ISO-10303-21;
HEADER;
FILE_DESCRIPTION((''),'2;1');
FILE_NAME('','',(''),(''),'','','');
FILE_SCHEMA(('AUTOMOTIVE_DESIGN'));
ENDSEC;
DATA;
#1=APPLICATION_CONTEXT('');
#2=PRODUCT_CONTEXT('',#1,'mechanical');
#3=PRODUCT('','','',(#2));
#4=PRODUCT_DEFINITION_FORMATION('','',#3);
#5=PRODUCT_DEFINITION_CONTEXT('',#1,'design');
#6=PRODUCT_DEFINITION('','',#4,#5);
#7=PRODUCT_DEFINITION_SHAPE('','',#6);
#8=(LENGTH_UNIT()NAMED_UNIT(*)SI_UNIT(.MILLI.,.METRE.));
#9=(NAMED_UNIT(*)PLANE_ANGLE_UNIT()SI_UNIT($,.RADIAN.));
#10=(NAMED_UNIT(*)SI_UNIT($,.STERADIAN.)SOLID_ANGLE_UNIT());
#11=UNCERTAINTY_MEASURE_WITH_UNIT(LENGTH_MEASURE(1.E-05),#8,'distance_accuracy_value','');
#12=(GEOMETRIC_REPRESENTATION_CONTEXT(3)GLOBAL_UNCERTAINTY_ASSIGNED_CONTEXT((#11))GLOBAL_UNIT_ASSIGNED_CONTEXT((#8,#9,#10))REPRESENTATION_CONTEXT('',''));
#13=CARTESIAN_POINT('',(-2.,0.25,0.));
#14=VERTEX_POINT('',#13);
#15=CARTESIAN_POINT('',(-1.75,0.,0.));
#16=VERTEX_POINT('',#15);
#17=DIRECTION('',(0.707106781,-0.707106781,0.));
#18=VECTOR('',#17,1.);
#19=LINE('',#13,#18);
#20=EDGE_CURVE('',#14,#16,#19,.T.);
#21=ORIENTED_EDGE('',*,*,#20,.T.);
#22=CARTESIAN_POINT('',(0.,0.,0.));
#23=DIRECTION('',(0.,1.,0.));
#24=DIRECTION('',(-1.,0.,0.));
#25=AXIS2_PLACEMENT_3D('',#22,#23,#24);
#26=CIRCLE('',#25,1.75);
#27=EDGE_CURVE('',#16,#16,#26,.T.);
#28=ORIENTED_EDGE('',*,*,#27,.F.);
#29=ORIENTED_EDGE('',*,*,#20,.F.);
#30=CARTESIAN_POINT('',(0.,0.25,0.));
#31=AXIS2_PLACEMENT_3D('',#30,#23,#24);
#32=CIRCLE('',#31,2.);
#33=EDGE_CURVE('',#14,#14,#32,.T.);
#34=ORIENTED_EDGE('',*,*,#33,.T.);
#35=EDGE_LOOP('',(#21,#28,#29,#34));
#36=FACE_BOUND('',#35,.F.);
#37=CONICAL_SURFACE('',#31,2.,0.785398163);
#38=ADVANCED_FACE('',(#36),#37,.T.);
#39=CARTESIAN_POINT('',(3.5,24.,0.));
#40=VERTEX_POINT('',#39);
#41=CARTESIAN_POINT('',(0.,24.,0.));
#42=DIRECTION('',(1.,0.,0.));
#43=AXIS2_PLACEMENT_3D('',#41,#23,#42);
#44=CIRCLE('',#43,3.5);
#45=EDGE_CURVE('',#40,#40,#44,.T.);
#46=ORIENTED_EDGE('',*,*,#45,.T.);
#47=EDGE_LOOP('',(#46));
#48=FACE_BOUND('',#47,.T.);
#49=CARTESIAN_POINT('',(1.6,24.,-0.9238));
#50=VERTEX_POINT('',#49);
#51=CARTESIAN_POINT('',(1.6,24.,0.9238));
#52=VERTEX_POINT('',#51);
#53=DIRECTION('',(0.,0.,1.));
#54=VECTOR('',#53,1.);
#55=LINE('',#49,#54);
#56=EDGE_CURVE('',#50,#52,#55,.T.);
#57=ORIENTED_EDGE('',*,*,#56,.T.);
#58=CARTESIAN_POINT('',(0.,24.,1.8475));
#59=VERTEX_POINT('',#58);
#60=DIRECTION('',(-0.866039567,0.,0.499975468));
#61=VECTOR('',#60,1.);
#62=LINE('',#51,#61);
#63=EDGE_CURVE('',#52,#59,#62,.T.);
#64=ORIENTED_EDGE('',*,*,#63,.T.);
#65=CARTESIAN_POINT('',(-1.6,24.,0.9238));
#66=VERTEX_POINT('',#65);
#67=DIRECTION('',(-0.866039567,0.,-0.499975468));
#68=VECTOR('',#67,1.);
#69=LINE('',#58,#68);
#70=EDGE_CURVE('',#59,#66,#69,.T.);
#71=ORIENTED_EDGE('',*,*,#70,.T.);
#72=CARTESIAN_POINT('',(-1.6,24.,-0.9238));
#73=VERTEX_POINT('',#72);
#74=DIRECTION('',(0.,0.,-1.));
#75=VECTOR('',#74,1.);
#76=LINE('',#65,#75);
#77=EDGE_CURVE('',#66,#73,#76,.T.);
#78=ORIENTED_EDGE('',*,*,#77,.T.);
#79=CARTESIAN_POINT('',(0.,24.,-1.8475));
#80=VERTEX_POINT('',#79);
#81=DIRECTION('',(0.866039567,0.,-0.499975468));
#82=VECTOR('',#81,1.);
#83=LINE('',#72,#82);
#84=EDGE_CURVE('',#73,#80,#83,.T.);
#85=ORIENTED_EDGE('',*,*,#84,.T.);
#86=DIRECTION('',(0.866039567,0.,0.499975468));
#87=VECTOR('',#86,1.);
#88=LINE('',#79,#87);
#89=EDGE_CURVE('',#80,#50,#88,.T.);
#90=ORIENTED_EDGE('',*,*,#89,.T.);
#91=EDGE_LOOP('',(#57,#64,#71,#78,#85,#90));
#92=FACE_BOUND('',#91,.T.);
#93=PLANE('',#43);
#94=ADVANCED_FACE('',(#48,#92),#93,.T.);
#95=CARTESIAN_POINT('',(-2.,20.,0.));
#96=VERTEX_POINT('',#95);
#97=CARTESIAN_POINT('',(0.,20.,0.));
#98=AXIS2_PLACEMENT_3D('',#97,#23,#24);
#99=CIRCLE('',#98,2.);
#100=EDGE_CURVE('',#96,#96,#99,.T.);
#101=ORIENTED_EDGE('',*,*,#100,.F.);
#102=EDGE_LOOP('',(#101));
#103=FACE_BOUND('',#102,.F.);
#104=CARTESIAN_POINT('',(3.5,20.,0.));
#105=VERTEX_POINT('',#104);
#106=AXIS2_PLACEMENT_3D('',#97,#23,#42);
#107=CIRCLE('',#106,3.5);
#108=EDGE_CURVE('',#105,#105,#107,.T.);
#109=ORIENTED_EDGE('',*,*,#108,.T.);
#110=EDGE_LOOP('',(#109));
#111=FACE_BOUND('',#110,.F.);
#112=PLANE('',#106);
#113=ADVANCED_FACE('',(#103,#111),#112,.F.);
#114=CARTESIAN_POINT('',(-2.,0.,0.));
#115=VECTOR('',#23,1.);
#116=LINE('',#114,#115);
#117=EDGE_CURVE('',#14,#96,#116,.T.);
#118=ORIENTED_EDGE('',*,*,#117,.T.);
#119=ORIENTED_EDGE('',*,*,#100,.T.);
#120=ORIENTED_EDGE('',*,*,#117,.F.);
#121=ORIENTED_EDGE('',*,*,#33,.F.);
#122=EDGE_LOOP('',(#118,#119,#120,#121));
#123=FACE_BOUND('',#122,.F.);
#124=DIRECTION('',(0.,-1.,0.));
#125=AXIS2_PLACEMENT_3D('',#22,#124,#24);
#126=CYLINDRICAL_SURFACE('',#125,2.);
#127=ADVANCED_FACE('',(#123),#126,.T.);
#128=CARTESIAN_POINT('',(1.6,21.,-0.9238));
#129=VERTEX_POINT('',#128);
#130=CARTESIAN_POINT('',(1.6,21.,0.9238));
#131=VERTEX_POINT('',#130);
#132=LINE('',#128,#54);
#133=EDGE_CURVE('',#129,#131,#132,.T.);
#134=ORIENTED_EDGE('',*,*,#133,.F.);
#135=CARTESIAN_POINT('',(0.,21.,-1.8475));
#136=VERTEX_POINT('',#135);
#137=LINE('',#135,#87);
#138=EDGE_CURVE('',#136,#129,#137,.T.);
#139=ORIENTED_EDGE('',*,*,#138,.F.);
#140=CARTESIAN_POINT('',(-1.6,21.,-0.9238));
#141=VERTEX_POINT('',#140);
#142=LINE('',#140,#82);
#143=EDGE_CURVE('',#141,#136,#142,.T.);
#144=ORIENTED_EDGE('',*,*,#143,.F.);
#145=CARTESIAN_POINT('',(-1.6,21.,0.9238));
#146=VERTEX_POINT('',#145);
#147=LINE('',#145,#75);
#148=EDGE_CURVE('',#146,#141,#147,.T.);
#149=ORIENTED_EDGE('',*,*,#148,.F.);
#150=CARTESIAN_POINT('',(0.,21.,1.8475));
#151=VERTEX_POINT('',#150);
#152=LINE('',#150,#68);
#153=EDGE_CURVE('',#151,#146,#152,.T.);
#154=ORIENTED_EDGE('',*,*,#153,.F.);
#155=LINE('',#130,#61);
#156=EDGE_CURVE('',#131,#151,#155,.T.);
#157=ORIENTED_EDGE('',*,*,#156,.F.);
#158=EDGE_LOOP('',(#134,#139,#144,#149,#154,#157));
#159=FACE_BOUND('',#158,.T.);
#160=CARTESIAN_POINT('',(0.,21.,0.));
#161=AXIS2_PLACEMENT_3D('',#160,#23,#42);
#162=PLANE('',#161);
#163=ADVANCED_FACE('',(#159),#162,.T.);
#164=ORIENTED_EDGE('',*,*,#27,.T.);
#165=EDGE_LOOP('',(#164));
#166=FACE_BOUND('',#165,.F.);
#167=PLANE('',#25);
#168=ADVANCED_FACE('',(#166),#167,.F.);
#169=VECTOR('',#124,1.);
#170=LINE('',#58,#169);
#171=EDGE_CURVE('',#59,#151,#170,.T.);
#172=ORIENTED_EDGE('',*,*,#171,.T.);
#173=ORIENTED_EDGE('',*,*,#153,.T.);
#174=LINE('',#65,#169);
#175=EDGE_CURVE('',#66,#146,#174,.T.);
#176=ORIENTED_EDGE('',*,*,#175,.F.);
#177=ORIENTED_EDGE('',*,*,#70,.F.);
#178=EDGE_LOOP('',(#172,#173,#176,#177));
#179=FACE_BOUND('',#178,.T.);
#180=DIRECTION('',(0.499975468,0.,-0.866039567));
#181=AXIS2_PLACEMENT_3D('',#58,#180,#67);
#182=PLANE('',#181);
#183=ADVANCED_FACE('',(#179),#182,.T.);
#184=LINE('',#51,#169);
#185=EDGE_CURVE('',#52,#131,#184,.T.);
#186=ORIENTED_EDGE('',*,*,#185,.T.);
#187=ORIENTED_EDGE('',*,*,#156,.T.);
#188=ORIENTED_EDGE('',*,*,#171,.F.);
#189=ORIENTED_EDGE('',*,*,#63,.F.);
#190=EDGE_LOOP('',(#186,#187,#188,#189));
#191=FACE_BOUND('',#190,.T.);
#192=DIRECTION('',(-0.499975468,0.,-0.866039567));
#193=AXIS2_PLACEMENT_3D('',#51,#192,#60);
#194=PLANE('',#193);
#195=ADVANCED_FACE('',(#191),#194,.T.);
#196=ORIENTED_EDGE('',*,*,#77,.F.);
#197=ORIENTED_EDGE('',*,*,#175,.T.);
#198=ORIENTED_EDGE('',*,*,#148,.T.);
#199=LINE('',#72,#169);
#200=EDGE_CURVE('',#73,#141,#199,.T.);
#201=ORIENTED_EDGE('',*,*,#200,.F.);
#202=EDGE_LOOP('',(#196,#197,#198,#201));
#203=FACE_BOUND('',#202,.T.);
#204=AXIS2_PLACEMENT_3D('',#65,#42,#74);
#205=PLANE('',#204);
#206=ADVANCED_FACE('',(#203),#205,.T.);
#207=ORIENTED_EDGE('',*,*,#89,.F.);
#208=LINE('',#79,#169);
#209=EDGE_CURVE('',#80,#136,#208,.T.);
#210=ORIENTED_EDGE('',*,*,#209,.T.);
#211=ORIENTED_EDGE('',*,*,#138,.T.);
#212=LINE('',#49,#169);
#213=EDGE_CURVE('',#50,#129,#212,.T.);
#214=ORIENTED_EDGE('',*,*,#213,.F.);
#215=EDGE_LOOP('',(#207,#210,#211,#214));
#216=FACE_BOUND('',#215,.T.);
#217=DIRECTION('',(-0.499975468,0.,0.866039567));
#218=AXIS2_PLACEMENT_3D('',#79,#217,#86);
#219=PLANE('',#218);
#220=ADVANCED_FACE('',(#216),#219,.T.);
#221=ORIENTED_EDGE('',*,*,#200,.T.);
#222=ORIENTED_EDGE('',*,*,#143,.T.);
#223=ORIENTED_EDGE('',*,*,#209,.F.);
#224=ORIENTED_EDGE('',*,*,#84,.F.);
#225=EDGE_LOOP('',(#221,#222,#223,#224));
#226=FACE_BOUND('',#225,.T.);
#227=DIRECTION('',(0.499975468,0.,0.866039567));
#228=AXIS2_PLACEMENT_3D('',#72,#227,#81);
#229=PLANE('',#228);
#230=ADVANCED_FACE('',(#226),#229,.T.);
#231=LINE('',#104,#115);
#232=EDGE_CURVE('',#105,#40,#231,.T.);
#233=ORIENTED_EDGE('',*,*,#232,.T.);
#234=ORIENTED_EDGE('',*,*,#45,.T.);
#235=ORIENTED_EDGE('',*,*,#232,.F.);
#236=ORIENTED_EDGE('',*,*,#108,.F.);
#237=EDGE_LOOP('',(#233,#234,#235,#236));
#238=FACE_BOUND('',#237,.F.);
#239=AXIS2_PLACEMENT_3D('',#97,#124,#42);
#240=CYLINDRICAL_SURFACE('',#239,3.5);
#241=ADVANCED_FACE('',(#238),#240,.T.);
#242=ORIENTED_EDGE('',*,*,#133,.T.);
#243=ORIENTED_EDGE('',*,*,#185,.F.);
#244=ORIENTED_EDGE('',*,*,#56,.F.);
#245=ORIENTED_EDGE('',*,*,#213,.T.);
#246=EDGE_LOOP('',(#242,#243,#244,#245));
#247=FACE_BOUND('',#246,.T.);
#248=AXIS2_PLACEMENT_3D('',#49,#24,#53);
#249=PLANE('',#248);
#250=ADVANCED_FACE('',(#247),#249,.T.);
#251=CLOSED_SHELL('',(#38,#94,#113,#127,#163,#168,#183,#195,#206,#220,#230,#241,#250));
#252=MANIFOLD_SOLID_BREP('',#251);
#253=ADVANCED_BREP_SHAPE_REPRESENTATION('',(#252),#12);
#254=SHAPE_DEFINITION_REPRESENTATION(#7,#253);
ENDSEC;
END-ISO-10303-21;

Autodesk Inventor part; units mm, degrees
ref_plane "YZ Plane" through (0, 0, 0) normal (1, 0, 0) x (0, 1, 0)
ref_plane "XZ Plane" through (0, 0, 0) normal (0, 1, 0) x (-1, 0, 0)
ref_plane "XY Plane" through (0, 0, 0) normal (0, 0, 1) x (1, 0, 0)
sketch "Sketch1" plane through (0, 0, 0) normal (0, 1, 0) x (-1, 0, 0)
  circle A0 centre (0, 0) radius 2
  dimension "d0" = 4
extrude "Extrusion1" add sketch "Sketch1" along normal blind 20
sketch "Sketch2" plane through (0, 20, 0) normal (0, 1, 0) x (1, 0, 0)
  circle A0 centre (0, 0) radius 2 projected
  circle A1 centre (0, 0) radius 3.5
  dimension "d3" = 7
extrude "Extrusion2" add sketch "Sketch2" along normal blind 4 contours A0 | A1
sketch "Sketch3" plane through (0, 24, 0) normal (0, 1, 0) x (1, 0, 0)
  circle A0 centre (0, 0) radius 3.5 projected
  line L0 (0, 1.8475) -> (1.6, 0.9238)
  line L1 (1.6, 0.9238) -> (1.6, -0.9238)
  line L2 (1.6, -0.9238) -> (0, -1.8475)
  line L3 (0, -1.8475) -> (-1.6, -0.9238)
  line L4 (-1.6, -0.9238) -> (-1.6, 0.9238)
  line L5 (-1.6, 0.9238) -> (0, 1.8475)
  dimension "d6" = 1.6
extrude "Extrusion3" cut sketch "Sketch3" against normal blind 3 contours L0 L1 L2 L3 L4 L5
thread "Thread1" size "M4x0.7" class "6g" standard "ANSI Metric M Profile" full length
chamfer "Chamfer1" distance 0.25 angle 45 1 edges at (2, 0, 0)
properties part number "M4x20SHCS"
